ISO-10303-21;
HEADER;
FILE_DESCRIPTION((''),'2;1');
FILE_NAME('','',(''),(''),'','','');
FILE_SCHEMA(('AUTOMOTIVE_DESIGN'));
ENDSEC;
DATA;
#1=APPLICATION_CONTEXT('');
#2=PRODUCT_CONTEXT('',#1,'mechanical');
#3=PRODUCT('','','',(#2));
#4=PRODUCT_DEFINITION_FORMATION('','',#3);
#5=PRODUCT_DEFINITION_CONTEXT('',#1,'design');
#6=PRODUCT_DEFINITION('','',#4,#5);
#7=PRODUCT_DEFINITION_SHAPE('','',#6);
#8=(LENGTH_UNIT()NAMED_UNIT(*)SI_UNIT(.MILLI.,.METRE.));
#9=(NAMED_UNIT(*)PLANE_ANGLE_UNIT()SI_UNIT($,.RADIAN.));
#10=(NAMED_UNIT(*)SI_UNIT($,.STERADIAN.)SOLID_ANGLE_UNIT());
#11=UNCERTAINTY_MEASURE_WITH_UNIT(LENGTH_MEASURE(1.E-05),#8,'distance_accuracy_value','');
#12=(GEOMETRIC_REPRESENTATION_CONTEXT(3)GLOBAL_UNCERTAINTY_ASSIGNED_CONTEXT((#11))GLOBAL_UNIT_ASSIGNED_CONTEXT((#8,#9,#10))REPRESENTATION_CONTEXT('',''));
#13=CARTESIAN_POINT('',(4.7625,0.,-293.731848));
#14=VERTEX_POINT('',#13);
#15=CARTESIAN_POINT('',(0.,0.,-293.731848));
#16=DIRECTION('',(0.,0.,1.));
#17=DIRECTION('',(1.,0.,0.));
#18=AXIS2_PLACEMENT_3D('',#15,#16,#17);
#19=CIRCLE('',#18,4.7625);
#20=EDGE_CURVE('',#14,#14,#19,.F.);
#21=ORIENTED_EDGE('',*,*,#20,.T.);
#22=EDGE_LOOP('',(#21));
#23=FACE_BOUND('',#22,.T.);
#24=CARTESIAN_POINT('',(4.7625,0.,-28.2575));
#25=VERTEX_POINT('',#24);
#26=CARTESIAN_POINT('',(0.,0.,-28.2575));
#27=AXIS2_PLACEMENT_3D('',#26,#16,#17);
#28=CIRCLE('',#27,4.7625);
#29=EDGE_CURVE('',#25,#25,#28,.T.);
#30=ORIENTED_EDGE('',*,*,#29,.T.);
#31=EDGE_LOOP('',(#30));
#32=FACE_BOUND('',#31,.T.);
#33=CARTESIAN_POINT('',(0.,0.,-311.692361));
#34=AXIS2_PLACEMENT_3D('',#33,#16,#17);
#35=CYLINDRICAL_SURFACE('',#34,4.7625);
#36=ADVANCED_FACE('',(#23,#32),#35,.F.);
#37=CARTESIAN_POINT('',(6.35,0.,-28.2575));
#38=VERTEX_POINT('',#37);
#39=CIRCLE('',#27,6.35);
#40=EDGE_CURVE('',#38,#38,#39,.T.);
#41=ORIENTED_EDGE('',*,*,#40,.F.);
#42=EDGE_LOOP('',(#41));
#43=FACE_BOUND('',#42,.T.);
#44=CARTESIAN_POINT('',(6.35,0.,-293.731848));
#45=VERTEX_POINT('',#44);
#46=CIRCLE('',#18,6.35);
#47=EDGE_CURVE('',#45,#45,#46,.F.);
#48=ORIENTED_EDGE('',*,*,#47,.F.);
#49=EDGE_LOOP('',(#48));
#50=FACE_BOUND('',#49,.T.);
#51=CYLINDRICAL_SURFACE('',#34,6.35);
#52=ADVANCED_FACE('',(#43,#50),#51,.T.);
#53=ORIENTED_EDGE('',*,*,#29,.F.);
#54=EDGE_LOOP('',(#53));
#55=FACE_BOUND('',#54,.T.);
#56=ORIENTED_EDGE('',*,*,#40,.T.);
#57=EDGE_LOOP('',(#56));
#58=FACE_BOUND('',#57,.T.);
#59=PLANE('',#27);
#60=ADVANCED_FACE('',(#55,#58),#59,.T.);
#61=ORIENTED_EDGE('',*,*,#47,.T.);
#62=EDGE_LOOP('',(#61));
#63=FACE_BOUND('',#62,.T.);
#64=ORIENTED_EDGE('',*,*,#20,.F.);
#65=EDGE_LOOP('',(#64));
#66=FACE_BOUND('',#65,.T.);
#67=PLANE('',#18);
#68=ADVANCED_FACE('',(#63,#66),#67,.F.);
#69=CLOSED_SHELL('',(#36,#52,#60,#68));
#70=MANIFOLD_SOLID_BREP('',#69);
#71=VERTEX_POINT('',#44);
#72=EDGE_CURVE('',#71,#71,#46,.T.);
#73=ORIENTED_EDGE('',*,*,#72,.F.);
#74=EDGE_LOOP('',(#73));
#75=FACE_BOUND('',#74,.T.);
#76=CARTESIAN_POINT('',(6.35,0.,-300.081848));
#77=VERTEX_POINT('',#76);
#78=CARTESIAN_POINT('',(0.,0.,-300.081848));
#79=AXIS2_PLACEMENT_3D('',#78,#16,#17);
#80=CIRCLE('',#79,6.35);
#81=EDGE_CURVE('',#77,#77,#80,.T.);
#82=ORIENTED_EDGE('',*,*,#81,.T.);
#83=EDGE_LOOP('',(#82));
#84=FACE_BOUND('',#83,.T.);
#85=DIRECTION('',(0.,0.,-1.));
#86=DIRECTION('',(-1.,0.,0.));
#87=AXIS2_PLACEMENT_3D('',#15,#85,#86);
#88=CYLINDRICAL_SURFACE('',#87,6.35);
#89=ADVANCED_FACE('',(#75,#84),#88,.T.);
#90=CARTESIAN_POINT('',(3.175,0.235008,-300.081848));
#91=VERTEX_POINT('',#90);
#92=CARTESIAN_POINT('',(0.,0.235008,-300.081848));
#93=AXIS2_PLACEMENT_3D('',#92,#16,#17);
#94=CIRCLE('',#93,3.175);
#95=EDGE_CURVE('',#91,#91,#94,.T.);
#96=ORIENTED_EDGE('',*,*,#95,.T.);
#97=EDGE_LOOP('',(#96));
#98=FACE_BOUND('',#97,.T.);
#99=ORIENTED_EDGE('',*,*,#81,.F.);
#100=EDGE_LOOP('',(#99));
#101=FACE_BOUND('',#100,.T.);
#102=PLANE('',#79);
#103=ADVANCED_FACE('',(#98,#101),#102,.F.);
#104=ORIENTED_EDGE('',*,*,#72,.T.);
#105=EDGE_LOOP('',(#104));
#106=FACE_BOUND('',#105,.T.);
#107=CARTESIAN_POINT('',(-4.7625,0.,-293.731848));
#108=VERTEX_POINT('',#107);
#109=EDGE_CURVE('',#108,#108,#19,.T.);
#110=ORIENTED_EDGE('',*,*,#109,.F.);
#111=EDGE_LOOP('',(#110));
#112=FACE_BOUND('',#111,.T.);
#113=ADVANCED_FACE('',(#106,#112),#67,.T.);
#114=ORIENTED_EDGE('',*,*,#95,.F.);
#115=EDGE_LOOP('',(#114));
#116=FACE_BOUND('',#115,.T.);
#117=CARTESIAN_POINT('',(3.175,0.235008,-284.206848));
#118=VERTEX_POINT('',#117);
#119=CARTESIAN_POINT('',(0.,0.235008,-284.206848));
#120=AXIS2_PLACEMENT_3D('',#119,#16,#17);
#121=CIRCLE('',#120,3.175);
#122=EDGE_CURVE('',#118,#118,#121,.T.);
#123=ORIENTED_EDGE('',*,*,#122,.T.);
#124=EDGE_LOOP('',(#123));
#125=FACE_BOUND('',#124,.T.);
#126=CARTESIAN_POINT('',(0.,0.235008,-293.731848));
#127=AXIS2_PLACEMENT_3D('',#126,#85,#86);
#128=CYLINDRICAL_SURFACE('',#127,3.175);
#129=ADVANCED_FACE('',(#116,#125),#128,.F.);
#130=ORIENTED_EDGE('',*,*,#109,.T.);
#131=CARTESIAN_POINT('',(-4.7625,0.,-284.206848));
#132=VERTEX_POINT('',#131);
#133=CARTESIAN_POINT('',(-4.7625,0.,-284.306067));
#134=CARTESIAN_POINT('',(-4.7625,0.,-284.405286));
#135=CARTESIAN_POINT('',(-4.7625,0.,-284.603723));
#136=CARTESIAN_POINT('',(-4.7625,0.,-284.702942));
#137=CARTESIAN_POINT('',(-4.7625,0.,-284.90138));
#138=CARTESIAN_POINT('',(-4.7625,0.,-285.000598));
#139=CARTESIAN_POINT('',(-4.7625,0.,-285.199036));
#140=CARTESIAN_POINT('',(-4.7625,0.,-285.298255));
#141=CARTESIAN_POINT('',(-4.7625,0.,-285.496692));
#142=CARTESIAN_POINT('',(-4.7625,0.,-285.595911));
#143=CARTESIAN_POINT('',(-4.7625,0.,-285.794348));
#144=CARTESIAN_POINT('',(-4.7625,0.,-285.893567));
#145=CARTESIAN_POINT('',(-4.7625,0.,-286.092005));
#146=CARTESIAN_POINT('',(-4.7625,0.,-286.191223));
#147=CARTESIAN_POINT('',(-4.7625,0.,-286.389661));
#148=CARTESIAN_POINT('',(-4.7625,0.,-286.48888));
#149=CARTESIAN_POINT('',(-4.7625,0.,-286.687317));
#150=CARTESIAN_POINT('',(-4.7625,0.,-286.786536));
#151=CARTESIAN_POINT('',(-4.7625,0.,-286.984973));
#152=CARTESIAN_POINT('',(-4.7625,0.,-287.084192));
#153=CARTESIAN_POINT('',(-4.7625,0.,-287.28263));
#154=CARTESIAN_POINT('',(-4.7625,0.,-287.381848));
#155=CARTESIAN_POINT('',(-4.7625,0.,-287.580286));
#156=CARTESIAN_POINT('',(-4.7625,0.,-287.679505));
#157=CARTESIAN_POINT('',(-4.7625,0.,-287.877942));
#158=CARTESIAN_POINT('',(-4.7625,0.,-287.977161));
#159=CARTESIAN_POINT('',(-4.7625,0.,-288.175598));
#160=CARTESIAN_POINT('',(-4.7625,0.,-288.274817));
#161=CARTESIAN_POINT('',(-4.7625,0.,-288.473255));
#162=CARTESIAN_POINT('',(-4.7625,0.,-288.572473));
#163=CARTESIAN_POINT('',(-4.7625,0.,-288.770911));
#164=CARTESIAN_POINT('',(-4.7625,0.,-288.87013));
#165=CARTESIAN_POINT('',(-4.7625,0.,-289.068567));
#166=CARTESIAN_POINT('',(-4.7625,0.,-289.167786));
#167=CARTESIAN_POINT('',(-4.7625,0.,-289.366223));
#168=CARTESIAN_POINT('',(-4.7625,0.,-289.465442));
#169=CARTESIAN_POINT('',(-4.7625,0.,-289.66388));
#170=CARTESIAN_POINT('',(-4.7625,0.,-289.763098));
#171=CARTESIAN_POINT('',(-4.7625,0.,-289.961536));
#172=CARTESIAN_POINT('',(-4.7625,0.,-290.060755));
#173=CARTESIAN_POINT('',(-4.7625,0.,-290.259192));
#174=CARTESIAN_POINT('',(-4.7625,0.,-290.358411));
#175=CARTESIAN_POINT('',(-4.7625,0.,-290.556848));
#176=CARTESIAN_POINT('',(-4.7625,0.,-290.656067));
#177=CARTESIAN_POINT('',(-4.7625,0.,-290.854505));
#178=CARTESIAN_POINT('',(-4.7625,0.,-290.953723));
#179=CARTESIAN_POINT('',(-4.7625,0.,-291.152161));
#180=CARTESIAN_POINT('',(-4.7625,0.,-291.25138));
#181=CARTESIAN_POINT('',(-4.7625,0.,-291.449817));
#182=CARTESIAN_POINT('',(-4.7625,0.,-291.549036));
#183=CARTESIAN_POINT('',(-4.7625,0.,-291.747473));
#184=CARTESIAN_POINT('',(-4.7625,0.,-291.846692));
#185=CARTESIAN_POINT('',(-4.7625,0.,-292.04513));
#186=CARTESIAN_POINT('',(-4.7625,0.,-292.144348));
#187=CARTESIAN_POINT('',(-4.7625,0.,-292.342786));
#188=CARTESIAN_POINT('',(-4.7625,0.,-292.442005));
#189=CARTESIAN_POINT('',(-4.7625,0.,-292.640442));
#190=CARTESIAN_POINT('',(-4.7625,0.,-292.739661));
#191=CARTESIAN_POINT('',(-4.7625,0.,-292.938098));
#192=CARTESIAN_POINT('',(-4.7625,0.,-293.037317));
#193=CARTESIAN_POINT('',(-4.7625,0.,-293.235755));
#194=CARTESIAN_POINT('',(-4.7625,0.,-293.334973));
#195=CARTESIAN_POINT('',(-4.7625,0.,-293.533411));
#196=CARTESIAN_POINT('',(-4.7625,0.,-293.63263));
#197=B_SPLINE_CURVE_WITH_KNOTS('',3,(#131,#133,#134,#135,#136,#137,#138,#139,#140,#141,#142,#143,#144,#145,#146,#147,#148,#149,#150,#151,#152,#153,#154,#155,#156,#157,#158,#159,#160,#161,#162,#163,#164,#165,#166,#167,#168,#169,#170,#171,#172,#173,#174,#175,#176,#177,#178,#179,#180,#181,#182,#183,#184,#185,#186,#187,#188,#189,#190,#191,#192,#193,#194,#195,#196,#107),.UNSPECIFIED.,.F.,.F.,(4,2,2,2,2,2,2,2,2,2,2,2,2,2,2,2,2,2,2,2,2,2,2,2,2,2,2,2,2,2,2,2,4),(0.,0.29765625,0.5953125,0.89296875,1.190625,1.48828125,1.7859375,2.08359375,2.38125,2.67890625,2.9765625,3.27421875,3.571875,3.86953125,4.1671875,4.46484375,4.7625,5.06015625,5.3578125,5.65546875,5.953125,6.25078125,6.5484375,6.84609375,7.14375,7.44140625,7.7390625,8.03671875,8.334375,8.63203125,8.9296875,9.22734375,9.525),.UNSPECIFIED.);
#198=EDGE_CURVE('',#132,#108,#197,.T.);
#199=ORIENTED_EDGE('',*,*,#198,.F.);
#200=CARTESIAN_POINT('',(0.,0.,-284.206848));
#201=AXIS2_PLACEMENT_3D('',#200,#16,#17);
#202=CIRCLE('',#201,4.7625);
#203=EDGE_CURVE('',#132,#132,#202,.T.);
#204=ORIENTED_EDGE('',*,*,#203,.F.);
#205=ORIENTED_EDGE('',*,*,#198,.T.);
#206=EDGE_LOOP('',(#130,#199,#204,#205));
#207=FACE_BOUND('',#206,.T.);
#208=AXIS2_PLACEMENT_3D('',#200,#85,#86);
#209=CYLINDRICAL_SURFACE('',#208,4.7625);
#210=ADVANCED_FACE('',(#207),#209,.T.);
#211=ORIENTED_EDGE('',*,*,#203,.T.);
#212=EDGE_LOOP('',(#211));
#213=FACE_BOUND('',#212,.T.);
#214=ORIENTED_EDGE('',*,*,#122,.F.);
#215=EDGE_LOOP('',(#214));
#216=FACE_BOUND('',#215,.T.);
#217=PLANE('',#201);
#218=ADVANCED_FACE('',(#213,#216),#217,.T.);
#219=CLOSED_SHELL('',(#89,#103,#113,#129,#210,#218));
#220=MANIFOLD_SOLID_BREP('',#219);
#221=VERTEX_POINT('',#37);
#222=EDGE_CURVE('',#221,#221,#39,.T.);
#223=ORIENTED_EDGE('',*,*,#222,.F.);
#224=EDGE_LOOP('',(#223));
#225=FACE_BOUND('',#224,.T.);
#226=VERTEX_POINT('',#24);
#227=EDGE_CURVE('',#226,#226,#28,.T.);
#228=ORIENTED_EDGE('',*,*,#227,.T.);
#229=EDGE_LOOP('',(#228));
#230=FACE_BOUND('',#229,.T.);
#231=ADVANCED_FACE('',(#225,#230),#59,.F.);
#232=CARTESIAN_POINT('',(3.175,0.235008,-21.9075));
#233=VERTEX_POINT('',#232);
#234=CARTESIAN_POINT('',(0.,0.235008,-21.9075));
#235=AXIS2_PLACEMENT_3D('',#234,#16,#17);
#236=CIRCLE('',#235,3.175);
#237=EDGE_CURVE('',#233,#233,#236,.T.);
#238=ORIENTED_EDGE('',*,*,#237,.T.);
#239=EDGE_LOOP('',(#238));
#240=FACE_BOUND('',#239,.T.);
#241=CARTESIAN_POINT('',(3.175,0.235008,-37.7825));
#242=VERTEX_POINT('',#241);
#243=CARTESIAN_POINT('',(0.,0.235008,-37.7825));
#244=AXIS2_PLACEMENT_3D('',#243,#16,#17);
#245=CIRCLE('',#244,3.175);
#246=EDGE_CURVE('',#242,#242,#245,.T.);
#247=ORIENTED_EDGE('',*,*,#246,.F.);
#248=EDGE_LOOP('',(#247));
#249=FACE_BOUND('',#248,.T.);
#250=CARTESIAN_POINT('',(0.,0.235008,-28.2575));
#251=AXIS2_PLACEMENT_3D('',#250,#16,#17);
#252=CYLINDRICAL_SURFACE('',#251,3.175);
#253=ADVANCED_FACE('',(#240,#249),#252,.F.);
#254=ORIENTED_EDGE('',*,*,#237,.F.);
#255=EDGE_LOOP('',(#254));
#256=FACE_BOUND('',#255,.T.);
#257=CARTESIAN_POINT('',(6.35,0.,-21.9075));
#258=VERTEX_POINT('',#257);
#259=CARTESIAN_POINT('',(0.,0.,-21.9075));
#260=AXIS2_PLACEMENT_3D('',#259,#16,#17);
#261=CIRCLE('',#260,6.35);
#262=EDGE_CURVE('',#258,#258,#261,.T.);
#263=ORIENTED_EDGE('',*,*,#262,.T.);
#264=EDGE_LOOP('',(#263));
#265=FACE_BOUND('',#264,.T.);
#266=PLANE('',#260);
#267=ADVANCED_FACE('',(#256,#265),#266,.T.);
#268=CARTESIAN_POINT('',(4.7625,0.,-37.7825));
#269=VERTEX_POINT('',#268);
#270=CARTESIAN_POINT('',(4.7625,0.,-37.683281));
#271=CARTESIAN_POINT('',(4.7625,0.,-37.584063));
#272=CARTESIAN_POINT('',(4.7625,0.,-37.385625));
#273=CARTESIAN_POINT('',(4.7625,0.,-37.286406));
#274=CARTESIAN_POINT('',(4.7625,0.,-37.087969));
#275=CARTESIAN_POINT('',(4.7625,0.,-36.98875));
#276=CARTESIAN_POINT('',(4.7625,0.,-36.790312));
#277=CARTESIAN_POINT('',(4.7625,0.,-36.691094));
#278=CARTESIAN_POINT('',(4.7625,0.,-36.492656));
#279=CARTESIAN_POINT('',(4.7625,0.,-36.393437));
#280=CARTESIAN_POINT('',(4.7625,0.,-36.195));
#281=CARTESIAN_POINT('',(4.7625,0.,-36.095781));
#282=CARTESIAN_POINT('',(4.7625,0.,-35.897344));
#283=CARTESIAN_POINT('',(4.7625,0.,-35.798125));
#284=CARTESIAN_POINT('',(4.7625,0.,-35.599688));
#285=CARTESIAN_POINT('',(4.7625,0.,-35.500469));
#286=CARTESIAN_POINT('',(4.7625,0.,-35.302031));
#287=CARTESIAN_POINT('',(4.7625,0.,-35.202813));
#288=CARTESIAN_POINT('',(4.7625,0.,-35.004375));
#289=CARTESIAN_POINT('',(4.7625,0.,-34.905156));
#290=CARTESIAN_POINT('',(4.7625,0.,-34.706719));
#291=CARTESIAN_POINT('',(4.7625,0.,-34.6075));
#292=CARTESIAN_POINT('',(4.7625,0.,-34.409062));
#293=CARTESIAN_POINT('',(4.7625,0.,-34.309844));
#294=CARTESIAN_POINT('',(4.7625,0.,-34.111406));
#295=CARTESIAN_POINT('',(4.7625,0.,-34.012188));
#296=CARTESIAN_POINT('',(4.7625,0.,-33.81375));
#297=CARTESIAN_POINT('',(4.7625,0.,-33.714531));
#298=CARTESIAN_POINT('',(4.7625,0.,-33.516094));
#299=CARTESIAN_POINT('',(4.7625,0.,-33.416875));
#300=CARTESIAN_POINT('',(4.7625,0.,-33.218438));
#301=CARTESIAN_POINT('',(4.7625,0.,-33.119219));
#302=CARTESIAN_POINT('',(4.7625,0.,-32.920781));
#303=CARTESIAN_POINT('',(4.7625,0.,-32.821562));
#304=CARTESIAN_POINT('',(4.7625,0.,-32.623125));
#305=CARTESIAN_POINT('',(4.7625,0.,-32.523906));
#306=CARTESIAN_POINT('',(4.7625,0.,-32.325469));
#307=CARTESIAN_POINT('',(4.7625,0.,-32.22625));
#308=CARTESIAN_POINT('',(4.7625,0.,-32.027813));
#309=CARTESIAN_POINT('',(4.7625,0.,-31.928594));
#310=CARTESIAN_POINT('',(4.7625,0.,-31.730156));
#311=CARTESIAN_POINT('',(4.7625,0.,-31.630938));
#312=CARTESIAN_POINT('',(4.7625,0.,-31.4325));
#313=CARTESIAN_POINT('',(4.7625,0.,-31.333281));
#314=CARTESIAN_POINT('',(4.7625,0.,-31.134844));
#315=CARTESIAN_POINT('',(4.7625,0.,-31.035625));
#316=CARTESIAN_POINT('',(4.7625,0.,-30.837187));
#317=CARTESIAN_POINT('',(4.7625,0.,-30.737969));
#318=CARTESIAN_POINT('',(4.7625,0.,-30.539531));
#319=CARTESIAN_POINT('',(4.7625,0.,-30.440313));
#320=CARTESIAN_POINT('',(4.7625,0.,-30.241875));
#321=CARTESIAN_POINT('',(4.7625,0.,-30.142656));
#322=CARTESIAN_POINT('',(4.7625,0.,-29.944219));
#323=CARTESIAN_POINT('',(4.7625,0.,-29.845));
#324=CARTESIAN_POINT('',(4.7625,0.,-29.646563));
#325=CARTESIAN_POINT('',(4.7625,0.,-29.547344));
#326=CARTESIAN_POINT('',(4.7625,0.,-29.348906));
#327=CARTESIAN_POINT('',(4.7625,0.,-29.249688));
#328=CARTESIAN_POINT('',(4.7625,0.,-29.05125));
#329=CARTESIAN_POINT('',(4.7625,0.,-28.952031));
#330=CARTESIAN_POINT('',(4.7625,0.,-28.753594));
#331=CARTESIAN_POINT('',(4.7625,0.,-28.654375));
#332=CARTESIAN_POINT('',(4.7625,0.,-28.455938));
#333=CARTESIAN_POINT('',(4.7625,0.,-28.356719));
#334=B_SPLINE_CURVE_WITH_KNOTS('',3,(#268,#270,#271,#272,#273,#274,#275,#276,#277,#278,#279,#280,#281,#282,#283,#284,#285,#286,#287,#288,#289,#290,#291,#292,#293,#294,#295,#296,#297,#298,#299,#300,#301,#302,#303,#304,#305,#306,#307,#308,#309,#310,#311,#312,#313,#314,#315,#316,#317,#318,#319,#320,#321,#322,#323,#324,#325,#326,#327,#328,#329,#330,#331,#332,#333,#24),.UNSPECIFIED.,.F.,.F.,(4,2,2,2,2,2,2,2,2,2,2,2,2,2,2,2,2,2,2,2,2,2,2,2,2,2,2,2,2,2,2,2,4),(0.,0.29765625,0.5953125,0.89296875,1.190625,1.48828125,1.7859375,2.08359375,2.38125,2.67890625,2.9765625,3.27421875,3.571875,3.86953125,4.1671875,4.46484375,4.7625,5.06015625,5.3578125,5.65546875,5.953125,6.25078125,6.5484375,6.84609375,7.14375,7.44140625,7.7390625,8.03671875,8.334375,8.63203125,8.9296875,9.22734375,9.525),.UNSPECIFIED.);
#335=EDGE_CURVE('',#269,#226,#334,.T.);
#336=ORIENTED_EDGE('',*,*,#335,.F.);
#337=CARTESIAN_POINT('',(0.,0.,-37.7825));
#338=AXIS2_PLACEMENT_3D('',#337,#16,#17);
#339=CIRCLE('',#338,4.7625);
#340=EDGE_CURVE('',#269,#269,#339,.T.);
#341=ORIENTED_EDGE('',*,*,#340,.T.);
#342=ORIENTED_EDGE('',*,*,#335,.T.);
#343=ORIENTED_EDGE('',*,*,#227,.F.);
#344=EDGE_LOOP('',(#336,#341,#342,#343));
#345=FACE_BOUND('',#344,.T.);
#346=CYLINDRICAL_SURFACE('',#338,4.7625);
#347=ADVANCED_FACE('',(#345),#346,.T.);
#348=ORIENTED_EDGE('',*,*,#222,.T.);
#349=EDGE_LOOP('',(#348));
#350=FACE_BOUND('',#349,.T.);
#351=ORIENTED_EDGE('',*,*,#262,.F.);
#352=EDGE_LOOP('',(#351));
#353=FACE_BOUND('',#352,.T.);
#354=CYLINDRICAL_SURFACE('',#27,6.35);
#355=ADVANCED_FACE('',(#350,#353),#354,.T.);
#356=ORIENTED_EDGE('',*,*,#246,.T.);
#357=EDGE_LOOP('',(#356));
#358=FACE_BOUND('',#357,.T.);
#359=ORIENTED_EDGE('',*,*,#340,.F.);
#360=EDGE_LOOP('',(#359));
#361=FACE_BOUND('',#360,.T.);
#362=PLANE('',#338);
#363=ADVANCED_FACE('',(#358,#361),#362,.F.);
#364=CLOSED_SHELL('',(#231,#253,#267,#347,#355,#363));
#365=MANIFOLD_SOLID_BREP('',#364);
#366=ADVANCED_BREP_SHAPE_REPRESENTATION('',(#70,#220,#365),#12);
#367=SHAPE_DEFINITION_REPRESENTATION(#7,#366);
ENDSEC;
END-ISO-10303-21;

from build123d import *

# Parameters (mm, degrees)
THREADED_START            = -21.9075
SKETCH2_R                 = 6.35
SKETCH2_R_2               = 4.7625
SKETCH2_R_3               = 3.175
THREADED_INSERT_1_1_DEPTH = 6.35
THREADED_START_2          = -28.2575
SKETCH2_5_R               = 4.7625
SKETCH2_5_R_2             = 3.175
THREADED_INSERT_1_2_DEPTH = 9.525
BOSS_EXTRUDE4_START       = -300.081848
SKETCH2_7_R               = 6.35
SKETCH2_7_R_2             = 4.7625
SKETCH2_7_R_3             = 3.175
BOSS_EXTRUDE4_DEPTH       = 6.35
BOSS_EXTRUDE5_START       = -284.206848
SKETCH2_8_R               = 4.7625
SKETCH2_8_R_2             = 3.175
BOSS_EXTRUDE5_DEPTH       = 9.525
BOSS_EXTRUDE6_START       = -28.2575
SKETCH2_9_R               = 6.35
SKETCH2_9_R_2             = 4.7625
BOSS_EXTRUDE6_DEPTH       = 265.4743484


with BuildPart() as part:
    # Sketch2 → Threaded Insert 1-1 (new body)
    # profile 1 of 2: a face of its own
    with BuildSketch(Plane.XY.offset(THREADED_START)):
        Circle(SKETCH2_R)
        Circle(SKETCH2_R_2, mode=Mode.SUBTRACT)
    # profile 2 of 2: a face of its own
    with BuildSketch(Plane.XY.offset(THREADED_START)):
        Circle(SKETCH2_R_2)
        with Locations((0, 0.235008439)):
            Circle(SKETCH2_R_3, mode=Mode.SUBTRACT)
    extrude(amount=-THREADED_INSERT_1_1_DEPTH)

    # Sketch2<5> → Threaded Insert 1-2 (add)
    with BuildSketch(Plane.XY.offset(THREADED_START_2)):
        Circle(SKETCH2_5_R)
        with Locations((0, 0.235008439)):
            Circle(SKETCH2_5_R_2, mode=Mode.SUBTRACT)
    extrude(amount=-THREADED_INSERT_1_2_DEPTH)


with BuildPart() as body_2:
    # Sketch2<7> → Boss-Extrude4 (new body)
    # profile 1 of 2: a face of its own
    with BuildSketch(Plane.XY.offset(BOSS_EXTRUDE4_START)):
        Circle(SKETCH2_7_R)
        Circle(SKETCH2_7_R_2, mode=Mode.SUBTRACT)
    # profile 2 of 2: a face of its own
    with BuildSketch(Plane.XY.offset(BOSS_EXTRUDE4_START)):
        Circle(SKETCH2_7_R_2)
        with Locations((0, 0.235008439)):
            Circle(SKETCH2_7_R_3, mode=Mode.SUBTRACT)
    extrude(amount=BOSS_EXTRUDE4_DEPTH)

    # Sketch2<8> → Boss-Extrude5 (add)
    with BuildSketch(Plane.XY.offset(BOSS_EXTRUDE5_START)):
        with Locations(Location((0, 0, 0), (0, 0, 180))):
            Circle(SKETCH2_8_R)
        with Locations((0, 0.235008439)):
            Circle(SKETCH2_8_R_2, mode=Mode.SUBTRACT)
    extrude(amount=-BOSS_EXTRUDE5_DEPTH)


with BuildPart() as body_3:
    # Sketch2<9> → Boss-Extrude6 (new body)
    with BuildSketch(Plane.XY.offset(BOSS_EXTRUDE6_START)):
        Circle(SKETCH2_9_R)
        Circle(SKETCH2_9_R_2, mode=Mode.SUBTRACT)
    extrude(amount=-BOSS_EXTRUDE6_DEPTH)


solid = Compound([part.part, body_2.part, body_3.part])
